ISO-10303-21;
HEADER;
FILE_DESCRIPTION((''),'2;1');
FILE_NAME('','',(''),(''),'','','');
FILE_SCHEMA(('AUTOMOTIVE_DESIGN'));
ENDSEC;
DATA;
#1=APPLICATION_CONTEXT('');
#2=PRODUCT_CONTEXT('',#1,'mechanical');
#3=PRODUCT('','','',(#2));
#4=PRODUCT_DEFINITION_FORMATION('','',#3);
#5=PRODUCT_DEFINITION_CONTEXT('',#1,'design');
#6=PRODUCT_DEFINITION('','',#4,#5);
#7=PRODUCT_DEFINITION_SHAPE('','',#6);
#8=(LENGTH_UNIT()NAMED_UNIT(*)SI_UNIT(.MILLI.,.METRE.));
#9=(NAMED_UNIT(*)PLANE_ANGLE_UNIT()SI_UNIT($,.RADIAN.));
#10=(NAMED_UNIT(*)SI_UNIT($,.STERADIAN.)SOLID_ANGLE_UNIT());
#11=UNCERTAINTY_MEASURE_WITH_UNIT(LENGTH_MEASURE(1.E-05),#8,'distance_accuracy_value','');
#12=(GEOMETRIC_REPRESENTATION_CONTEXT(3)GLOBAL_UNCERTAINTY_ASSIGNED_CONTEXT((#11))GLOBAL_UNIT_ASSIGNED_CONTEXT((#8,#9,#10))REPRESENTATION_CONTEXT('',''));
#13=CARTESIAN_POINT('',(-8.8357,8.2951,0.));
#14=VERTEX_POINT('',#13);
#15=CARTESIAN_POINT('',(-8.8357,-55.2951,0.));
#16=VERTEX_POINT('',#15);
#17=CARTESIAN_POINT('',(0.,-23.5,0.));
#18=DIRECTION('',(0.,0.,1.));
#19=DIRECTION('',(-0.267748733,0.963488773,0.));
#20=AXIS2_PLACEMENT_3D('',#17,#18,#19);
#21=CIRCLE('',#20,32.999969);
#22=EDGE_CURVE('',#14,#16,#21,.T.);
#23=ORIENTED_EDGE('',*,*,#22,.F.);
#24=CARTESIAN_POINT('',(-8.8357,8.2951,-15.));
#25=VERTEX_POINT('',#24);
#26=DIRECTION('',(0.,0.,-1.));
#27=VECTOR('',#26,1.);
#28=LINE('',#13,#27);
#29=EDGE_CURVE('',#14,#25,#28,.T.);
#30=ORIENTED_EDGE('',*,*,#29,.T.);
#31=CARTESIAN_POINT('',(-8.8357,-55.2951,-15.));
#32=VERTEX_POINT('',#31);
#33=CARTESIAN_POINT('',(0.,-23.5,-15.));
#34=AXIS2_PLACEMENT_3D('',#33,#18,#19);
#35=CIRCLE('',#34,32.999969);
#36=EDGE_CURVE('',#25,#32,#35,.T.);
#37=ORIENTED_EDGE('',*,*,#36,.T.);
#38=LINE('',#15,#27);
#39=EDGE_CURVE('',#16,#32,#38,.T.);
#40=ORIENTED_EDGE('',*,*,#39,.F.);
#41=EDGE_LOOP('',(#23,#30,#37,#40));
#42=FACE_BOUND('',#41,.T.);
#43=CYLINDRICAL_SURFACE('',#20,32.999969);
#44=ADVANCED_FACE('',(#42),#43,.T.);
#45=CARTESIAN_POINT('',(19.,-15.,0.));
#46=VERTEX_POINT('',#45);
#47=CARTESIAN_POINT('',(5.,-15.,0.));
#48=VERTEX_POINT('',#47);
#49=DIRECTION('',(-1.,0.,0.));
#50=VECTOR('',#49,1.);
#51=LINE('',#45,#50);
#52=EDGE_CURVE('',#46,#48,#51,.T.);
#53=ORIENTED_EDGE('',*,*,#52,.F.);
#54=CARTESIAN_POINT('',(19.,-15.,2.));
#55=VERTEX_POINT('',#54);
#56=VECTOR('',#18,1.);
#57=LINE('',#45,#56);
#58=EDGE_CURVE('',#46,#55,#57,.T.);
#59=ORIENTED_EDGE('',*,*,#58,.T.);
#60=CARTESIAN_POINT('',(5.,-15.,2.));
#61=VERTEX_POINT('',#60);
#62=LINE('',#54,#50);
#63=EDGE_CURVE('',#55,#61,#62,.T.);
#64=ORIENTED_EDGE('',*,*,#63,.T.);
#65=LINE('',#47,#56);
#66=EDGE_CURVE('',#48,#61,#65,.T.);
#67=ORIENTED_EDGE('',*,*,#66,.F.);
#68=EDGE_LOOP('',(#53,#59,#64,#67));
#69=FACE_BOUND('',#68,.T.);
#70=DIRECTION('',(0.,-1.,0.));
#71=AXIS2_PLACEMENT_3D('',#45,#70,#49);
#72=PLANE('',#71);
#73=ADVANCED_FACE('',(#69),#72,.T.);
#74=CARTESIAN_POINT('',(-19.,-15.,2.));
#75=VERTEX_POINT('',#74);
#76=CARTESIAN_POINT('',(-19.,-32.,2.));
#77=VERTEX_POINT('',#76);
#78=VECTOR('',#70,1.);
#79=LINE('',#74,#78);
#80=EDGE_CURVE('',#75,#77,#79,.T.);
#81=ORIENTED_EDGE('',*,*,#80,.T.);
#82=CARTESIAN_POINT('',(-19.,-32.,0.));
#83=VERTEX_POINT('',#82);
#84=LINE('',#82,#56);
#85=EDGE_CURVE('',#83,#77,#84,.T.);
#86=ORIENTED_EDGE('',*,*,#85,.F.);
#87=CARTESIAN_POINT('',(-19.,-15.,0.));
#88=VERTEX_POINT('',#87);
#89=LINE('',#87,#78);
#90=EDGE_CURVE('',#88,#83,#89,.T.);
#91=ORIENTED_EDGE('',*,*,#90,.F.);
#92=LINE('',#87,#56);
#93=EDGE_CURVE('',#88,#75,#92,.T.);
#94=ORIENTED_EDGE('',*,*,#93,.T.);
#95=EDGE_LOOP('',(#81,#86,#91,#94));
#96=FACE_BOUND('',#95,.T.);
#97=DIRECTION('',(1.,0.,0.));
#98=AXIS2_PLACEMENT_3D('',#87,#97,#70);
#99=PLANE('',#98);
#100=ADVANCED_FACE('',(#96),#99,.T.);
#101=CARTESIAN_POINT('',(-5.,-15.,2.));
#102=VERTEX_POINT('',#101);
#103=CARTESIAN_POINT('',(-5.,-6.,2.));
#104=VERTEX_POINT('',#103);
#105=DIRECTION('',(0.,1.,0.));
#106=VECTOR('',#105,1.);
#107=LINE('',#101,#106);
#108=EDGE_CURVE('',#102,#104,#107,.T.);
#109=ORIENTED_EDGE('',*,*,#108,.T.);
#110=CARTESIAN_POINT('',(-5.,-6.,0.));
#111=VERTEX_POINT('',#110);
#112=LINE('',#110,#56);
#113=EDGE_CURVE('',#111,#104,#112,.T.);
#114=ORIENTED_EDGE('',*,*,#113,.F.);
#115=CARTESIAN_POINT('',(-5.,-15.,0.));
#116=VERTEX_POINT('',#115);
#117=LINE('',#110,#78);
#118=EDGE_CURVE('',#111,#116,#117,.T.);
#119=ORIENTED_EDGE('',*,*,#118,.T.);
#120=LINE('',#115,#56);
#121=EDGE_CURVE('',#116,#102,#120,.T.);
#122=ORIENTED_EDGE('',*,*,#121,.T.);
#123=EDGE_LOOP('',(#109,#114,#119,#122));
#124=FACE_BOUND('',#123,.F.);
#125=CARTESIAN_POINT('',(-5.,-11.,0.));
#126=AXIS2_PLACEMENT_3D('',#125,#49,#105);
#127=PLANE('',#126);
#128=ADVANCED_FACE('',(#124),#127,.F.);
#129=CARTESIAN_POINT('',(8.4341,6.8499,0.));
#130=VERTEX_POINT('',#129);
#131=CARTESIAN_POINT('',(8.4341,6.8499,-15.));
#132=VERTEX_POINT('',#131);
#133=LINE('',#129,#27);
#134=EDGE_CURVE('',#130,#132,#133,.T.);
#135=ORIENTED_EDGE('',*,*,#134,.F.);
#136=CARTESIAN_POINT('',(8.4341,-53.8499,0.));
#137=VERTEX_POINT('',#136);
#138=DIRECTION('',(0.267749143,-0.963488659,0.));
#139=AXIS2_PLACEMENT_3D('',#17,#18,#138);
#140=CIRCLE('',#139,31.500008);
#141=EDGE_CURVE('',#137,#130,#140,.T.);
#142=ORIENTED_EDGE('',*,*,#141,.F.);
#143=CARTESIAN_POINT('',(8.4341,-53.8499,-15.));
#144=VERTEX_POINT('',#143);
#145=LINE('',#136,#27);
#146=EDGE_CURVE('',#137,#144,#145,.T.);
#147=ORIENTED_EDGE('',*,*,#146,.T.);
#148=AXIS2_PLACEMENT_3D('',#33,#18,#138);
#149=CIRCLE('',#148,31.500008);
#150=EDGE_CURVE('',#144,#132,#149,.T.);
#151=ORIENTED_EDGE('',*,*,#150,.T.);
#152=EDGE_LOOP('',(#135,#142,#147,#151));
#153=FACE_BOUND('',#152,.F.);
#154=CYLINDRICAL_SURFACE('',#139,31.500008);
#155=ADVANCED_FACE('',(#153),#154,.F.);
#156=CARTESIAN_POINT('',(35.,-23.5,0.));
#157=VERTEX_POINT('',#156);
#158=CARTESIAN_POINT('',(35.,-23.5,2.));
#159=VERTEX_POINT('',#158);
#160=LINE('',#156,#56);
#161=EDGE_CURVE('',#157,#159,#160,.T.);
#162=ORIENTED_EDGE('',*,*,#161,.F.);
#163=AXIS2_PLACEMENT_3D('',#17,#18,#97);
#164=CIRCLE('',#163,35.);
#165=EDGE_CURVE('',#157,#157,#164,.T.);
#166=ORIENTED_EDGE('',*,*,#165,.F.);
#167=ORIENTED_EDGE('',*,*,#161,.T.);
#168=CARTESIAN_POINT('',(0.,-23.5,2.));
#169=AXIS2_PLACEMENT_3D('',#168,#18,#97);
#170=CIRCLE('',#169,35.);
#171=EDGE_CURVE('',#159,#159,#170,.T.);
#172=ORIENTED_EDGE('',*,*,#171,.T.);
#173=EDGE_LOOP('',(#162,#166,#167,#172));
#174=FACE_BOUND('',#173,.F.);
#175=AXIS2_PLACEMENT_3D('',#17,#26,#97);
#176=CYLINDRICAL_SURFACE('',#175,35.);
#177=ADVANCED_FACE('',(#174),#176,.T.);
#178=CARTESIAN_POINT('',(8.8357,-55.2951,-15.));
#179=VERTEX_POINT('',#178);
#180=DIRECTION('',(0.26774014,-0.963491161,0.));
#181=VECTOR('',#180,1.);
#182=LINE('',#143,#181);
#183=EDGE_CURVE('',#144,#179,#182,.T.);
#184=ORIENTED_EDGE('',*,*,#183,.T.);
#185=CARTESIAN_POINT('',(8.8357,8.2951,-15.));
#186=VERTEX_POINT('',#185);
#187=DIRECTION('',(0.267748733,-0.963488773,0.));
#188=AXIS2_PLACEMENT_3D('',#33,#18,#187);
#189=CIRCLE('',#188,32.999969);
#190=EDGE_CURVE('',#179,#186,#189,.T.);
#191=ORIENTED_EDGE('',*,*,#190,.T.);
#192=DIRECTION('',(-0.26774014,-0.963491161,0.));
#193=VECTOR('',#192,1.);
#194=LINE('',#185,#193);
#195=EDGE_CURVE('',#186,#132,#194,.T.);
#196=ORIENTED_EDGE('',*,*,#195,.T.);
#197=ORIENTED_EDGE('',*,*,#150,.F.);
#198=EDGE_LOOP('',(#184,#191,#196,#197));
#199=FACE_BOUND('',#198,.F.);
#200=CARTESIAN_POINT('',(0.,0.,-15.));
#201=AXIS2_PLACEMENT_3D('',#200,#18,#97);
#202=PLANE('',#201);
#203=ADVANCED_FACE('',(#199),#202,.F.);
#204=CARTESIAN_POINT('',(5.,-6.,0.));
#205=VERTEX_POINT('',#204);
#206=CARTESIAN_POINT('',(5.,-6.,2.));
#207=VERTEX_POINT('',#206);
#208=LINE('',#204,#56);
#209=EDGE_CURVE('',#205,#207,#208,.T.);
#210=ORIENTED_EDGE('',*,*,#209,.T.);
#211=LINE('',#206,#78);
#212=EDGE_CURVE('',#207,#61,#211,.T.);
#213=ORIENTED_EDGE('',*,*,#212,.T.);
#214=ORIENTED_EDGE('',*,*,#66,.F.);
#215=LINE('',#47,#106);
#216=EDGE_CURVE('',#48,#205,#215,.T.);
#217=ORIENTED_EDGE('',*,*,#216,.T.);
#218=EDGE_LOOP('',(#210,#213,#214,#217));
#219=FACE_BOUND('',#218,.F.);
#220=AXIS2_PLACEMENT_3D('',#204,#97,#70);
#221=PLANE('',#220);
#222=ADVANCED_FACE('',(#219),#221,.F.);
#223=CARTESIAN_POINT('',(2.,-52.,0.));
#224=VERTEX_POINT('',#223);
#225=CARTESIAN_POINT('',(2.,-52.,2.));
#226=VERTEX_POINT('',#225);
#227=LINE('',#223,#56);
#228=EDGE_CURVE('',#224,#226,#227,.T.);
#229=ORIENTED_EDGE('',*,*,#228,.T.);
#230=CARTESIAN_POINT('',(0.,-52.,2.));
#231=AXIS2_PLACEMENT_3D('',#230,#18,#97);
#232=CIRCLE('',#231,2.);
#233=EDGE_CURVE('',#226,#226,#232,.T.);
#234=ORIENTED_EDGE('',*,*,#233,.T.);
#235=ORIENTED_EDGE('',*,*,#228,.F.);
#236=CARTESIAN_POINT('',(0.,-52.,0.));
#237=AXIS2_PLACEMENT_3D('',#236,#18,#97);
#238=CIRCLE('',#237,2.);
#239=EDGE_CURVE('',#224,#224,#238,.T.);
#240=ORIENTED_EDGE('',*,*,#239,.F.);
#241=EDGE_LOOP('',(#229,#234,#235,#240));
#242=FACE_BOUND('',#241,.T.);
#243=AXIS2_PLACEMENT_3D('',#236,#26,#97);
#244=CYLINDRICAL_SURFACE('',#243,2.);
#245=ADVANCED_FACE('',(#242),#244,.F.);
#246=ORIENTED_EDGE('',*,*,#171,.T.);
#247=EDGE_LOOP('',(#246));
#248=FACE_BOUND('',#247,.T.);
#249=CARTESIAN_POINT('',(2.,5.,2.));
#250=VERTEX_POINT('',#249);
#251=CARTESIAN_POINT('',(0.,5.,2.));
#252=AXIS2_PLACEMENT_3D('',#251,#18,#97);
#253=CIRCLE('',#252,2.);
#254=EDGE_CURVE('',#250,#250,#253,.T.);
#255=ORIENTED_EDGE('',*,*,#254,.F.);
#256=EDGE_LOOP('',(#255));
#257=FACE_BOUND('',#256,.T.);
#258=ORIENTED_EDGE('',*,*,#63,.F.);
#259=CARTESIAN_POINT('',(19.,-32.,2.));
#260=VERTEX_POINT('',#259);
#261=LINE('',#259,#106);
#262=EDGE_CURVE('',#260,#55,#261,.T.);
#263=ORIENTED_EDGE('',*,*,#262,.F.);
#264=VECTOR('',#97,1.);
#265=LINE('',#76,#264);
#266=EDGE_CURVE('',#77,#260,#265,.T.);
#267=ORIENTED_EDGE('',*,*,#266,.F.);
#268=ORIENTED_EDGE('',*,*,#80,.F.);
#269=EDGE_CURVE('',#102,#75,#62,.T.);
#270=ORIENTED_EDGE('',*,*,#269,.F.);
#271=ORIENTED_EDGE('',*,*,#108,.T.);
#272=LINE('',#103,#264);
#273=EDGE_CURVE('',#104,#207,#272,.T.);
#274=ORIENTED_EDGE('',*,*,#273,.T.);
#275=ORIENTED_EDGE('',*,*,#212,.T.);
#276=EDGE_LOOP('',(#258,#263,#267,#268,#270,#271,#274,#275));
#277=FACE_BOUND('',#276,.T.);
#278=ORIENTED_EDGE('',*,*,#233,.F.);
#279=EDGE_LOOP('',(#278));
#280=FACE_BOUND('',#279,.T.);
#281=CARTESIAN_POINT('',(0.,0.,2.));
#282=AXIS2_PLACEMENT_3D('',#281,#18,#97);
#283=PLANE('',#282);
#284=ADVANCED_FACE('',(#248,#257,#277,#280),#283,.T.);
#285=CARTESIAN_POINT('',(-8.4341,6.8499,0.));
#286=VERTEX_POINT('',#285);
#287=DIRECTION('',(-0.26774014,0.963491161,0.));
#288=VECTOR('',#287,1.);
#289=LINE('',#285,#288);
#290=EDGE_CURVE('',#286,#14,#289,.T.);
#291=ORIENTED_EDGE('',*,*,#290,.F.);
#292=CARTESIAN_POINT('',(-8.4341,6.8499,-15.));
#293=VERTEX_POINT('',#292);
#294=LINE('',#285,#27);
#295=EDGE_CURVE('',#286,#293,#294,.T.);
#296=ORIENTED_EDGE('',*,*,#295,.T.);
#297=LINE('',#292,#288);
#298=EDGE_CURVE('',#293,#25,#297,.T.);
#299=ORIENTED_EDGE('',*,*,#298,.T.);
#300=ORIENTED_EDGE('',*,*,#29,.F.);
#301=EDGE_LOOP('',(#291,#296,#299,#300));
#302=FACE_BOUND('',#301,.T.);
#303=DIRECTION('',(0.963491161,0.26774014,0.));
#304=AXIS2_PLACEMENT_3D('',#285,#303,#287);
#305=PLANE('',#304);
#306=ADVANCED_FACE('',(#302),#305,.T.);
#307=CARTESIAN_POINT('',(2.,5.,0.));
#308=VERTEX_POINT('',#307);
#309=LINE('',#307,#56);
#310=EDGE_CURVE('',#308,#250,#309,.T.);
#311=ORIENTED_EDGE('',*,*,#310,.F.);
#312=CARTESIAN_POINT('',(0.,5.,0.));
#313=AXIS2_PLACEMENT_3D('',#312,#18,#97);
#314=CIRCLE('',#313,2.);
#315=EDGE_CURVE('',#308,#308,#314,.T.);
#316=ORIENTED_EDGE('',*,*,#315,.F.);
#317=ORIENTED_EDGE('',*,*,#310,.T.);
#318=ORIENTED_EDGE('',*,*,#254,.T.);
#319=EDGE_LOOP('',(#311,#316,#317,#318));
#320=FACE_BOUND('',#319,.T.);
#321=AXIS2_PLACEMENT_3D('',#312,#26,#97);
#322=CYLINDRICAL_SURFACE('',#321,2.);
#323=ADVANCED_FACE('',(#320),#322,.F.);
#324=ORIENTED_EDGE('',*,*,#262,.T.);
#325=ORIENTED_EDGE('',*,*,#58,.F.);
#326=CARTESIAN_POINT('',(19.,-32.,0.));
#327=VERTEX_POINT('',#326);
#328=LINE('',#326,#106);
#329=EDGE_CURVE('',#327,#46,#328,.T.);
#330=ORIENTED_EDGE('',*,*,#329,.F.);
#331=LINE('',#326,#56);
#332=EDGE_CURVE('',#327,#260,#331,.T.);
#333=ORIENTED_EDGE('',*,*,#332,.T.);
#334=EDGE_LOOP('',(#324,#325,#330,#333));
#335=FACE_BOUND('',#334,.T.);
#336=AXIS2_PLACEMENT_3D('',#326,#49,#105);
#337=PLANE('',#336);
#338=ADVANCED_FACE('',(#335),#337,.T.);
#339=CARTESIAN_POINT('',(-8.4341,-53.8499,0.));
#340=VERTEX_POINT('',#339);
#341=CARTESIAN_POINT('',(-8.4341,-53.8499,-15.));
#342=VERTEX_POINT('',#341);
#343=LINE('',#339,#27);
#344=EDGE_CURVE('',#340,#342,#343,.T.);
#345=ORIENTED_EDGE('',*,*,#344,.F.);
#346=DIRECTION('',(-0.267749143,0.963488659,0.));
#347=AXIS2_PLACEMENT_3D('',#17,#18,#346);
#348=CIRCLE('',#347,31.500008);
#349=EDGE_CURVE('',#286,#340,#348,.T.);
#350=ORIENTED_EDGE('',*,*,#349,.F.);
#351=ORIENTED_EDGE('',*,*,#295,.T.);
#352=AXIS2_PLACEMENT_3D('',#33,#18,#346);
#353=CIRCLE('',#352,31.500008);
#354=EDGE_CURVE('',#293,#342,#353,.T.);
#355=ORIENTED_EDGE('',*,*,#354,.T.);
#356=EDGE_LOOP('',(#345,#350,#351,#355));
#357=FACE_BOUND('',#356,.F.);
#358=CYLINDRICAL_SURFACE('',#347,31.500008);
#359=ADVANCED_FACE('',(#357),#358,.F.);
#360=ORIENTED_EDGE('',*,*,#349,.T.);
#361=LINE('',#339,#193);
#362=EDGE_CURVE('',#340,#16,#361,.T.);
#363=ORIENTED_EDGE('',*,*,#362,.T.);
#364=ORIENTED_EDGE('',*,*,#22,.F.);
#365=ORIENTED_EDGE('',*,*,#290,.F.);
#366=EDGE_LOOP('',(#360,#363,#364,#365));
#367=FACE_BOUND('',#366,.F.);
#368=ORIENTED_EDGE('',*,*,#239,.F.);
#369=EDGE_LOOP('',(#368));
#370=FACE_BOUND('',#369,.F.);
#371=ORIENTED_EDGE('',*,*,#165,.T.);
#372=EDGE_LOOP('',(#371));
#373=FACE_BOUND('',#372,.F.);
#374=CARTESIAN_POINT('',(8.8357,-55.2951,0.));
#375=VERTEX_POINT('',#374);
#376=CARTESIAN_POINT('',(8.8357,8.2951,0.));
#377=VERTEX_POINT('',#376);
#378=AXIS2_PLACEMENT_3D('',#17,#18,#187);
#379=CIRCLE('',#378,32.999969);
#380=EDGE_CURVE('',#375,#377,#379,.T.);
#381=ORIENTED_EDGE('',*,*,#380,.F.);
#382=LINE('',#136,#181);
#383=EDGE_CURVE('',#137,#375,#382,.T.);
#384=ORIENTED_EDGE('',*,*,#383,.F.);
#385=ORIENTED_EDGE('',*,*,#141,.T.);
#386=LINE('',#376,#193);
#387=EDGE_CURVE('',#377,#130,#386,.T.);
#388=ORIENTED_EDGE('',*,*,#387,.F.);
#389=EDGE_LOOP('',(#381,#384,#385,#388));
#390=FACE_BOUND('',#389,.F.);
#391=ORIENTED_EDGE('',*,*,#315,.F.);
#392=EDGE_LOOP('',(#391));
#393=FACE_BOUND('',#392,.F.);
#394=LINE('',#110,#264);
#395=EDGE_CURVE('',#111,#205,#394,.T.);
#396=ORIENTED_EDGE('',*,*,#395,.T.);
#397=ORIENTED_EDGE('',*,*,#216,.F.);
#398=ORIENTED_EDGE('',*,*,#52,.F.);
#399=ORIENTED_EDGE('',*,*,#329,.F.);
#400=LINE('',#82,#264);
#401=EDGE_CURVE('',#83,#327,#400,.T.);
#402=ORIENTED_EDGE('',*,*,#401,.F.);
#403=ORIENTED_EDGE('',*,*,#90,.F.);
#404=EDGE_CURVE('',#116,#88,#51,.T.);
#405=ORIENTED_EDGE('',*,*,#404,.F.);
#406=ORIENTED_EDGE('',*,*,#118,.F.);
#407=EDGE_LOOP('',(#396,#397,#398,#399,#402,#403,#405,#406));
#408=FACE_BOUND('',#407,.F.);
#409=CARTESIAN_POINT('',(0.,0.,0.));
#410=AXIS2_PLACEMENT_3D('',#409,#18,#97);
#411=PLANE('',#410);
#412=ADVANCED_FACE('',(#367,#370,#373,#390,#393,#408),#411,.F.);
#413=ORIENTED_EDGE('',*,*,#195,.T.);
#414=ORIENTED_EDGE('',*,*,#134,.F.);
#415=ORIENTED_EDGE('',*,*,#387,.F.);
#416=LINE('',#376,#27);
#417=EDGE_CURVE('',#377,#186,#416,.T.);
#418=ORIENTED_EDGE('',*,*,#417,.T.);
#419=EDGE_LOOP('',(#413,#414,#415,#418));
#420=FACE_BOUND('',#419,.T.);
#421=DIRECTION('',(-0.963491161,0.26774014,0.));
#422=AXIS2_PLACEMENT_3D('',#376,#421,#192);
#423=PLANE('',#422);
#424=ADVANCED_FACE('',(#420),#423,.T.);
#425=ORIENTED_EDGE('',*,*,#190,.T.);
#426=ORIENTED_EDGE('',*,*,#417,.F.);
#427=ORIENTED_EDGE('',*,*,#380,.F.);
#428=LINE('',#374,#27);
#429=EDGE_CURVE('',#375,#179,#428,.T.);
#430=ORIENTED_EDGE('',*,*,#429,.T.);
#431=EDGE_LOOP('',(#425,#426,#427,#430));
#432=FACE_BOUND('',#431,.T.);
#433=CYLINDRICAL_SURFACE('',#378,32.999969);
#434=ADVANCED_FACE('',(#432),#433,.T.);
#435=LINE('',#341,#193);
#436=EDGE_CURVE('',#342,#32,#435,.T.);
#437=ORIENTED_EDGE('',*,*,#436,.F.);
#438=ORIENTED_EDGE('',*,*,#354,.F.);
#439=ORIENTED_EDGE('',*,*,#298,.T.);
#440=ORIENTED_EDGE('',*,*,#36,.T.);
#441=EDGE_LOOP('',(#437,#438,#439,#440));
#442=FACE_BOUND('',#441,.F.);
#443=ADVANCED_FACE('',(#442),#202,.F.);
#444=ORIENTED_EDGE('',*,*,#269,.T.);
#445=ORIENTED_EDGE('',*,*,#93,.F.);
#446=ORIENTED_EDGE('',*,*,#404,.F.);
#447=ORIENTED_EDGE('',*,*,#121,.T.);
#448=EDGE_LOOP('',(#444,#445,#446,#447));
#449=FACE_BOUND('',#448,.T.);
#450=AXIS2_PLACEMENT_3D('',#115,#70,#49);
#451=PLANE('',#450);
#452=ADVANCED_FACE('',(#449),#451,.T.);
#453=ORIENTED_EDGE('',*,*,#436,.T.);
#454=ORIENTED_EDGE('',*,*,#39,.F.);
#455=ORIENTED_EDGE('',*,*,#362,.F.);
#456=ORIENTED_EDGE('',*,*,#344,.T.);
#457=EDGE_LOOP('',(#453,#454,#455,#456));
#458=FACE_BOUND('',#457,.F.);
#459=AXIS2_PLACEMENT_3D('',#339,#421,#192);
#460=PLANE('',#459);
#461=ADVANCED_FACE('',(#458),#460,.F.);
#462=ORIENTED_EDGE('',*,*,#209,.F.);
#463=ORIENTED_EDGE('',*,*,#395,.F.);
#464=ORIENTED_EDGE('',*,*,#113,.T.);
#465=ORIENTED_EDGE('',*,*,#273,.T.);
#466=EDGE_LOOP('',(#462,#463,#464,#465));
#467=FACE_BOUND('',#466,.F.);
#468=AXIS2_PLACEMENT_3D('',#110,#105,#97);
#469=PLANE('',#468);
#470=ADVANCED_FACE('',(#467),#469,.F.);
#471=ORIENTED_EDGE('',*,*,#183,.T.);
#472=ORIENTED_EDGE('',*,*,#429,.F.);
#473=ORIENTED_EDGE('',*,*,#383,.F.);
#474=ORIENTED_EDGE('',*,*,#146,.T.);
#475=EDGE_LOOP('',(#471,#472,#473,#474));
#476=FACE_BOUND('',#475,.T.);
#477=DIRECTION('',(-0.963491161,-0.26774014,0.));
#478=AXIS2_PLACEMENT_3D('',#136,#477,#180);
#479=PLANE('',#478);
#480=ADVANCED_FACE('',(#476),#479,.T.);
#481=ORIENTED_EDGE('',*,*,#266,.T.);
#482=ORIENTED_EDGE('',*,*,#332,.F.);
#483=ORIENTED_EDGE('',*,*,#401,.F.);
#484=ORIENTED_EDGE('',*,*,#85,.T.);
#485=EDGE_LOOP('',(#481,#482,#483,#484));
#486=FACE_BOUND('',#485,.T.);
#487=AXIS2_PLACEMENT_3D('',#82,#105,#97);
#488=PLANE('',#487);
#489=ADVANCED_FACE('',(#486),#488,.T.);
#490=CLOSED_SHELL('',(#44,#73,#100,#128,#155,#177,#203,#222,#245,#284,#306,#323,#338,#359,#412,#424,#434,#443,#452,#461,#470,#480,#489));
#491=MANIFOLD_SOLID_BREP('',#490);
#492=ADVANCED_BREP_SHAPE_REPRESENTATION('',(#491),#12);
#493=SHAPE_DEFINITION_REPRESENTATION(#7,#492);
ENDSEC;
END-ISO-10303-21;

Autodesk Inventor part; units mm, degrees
ref_plane "YZ Plane" through (0, 0, 0) normal (1, 0, 0) x (0, 1, 0)
ref_plane "XZ Plane" through (0, 0, 0) normal (0, 1, 0) x (-1, 0, 0)
sketch "Sketch1" plane through (0, 0, 0) normal (0, 0, 1) x (1, 0, 0)
  arc A0 (8.8357, -55.2951) -> (8.8357, 8.2951) centre (0, -23.5) ccw projected
  arc A1 (-8.8357, 8.2951) -> (-8.8357, -55.2951) centre (0, -23.5) ccw projected
  arc A2 (-8.4341, 6.8499) -> (-8.4341, -53.8499) centre (0, -23.5) ccw
  arc A3 (8.4341, -53.8499) -> (8.4341, 6.8499) centre (0, -23.5) ccw
  line L0 (-8.4341, 6.8499) -> (-8.8357, 8.2951)
  line L1 (-8.4341, -53.8499) -> (-8.8357, -55.2951)
  line L2 (8.4341, -53.8499) -> (8.8357, -55.2951)
  line L3 (8.8357, 8.2951) -> (8.4341, 6.8499)
  dimension "d36" = 1.5
  dimension "d37" = 1.5
extrude "Extrusion1" add sketch "Sketch1" against normal blind 15
ref_plane "Work Plane1" through (0, 0, 0) normal (0, 0, 1) x (1, 0, 0)
sketch "Sketch2" plane through (0, 0, 0) normal (0, 0, 1) x (1, 0, 0)
  circle A0 centre (0, -23.5) radius 35 projected
  circle A1 centre (0, 5) radius 1.5 projected
  circle A2 centre (0, -52) radius 1.5 projected
  circle A3 centre (0, 5) radius 2
  circle A4 centre (0, -52) radius 2
  line L0 (-25, -11) -> (25, -11)
  line L1 (25, -11) -> (25, -36)
  line L2 (25, -36) -> (-25, -36)
  line L3 (-25, -36) -> (-25, -11)
  line L4 (-25, -11) -> (25, -36) construction
  line L5 (25, -11) -> (-25, -36) construction
  line L6 (-19, -32) -> (19, -32)
  line L7 (19, -32) -> (19, -15)
  line L8 (19, -15) -> (-19, -15)
  line L9 (-19, -15) -> (-19, -32)
  line L10 (-19, -32) -> (19, -15) construction
  line L11 (19, -32) -> (-19, -15) construction
  line L12 (5, -18) -> (-5, -18)
  line L13 (-5, -18) -> (-5, -6)
  line L14 (-5, -6) -> (5, -6)
  line L15 (5, -6) -> (5, -18)
  line L16 (5, -18) -> (-5, -6) construction
  line L17 (-5, -18) -> (5, -6) construction
  point P0 (0, 0)
  point P1 (-5, -11)
  point P2 (0, -12)
  point P3 (5, -15)
  point P4 (-5, -15)
  dimension "d4" = 4
  dimension "d5" = 4
  dimension "d38" = 50
  dimension "d39" = 25
  dimension "d40" = 38
  dimension "d41" = 17
  dimension "d44" = 10
  dimension "d45" = 12
  dimension "d46" = 7
extrude "Extrusion2" add sketch "Sketch2" along normal blind 2 contours A0 | L0 L13 L8 L9 L6 L7 L15 L1 L2 L3
properties part number "lid2"
